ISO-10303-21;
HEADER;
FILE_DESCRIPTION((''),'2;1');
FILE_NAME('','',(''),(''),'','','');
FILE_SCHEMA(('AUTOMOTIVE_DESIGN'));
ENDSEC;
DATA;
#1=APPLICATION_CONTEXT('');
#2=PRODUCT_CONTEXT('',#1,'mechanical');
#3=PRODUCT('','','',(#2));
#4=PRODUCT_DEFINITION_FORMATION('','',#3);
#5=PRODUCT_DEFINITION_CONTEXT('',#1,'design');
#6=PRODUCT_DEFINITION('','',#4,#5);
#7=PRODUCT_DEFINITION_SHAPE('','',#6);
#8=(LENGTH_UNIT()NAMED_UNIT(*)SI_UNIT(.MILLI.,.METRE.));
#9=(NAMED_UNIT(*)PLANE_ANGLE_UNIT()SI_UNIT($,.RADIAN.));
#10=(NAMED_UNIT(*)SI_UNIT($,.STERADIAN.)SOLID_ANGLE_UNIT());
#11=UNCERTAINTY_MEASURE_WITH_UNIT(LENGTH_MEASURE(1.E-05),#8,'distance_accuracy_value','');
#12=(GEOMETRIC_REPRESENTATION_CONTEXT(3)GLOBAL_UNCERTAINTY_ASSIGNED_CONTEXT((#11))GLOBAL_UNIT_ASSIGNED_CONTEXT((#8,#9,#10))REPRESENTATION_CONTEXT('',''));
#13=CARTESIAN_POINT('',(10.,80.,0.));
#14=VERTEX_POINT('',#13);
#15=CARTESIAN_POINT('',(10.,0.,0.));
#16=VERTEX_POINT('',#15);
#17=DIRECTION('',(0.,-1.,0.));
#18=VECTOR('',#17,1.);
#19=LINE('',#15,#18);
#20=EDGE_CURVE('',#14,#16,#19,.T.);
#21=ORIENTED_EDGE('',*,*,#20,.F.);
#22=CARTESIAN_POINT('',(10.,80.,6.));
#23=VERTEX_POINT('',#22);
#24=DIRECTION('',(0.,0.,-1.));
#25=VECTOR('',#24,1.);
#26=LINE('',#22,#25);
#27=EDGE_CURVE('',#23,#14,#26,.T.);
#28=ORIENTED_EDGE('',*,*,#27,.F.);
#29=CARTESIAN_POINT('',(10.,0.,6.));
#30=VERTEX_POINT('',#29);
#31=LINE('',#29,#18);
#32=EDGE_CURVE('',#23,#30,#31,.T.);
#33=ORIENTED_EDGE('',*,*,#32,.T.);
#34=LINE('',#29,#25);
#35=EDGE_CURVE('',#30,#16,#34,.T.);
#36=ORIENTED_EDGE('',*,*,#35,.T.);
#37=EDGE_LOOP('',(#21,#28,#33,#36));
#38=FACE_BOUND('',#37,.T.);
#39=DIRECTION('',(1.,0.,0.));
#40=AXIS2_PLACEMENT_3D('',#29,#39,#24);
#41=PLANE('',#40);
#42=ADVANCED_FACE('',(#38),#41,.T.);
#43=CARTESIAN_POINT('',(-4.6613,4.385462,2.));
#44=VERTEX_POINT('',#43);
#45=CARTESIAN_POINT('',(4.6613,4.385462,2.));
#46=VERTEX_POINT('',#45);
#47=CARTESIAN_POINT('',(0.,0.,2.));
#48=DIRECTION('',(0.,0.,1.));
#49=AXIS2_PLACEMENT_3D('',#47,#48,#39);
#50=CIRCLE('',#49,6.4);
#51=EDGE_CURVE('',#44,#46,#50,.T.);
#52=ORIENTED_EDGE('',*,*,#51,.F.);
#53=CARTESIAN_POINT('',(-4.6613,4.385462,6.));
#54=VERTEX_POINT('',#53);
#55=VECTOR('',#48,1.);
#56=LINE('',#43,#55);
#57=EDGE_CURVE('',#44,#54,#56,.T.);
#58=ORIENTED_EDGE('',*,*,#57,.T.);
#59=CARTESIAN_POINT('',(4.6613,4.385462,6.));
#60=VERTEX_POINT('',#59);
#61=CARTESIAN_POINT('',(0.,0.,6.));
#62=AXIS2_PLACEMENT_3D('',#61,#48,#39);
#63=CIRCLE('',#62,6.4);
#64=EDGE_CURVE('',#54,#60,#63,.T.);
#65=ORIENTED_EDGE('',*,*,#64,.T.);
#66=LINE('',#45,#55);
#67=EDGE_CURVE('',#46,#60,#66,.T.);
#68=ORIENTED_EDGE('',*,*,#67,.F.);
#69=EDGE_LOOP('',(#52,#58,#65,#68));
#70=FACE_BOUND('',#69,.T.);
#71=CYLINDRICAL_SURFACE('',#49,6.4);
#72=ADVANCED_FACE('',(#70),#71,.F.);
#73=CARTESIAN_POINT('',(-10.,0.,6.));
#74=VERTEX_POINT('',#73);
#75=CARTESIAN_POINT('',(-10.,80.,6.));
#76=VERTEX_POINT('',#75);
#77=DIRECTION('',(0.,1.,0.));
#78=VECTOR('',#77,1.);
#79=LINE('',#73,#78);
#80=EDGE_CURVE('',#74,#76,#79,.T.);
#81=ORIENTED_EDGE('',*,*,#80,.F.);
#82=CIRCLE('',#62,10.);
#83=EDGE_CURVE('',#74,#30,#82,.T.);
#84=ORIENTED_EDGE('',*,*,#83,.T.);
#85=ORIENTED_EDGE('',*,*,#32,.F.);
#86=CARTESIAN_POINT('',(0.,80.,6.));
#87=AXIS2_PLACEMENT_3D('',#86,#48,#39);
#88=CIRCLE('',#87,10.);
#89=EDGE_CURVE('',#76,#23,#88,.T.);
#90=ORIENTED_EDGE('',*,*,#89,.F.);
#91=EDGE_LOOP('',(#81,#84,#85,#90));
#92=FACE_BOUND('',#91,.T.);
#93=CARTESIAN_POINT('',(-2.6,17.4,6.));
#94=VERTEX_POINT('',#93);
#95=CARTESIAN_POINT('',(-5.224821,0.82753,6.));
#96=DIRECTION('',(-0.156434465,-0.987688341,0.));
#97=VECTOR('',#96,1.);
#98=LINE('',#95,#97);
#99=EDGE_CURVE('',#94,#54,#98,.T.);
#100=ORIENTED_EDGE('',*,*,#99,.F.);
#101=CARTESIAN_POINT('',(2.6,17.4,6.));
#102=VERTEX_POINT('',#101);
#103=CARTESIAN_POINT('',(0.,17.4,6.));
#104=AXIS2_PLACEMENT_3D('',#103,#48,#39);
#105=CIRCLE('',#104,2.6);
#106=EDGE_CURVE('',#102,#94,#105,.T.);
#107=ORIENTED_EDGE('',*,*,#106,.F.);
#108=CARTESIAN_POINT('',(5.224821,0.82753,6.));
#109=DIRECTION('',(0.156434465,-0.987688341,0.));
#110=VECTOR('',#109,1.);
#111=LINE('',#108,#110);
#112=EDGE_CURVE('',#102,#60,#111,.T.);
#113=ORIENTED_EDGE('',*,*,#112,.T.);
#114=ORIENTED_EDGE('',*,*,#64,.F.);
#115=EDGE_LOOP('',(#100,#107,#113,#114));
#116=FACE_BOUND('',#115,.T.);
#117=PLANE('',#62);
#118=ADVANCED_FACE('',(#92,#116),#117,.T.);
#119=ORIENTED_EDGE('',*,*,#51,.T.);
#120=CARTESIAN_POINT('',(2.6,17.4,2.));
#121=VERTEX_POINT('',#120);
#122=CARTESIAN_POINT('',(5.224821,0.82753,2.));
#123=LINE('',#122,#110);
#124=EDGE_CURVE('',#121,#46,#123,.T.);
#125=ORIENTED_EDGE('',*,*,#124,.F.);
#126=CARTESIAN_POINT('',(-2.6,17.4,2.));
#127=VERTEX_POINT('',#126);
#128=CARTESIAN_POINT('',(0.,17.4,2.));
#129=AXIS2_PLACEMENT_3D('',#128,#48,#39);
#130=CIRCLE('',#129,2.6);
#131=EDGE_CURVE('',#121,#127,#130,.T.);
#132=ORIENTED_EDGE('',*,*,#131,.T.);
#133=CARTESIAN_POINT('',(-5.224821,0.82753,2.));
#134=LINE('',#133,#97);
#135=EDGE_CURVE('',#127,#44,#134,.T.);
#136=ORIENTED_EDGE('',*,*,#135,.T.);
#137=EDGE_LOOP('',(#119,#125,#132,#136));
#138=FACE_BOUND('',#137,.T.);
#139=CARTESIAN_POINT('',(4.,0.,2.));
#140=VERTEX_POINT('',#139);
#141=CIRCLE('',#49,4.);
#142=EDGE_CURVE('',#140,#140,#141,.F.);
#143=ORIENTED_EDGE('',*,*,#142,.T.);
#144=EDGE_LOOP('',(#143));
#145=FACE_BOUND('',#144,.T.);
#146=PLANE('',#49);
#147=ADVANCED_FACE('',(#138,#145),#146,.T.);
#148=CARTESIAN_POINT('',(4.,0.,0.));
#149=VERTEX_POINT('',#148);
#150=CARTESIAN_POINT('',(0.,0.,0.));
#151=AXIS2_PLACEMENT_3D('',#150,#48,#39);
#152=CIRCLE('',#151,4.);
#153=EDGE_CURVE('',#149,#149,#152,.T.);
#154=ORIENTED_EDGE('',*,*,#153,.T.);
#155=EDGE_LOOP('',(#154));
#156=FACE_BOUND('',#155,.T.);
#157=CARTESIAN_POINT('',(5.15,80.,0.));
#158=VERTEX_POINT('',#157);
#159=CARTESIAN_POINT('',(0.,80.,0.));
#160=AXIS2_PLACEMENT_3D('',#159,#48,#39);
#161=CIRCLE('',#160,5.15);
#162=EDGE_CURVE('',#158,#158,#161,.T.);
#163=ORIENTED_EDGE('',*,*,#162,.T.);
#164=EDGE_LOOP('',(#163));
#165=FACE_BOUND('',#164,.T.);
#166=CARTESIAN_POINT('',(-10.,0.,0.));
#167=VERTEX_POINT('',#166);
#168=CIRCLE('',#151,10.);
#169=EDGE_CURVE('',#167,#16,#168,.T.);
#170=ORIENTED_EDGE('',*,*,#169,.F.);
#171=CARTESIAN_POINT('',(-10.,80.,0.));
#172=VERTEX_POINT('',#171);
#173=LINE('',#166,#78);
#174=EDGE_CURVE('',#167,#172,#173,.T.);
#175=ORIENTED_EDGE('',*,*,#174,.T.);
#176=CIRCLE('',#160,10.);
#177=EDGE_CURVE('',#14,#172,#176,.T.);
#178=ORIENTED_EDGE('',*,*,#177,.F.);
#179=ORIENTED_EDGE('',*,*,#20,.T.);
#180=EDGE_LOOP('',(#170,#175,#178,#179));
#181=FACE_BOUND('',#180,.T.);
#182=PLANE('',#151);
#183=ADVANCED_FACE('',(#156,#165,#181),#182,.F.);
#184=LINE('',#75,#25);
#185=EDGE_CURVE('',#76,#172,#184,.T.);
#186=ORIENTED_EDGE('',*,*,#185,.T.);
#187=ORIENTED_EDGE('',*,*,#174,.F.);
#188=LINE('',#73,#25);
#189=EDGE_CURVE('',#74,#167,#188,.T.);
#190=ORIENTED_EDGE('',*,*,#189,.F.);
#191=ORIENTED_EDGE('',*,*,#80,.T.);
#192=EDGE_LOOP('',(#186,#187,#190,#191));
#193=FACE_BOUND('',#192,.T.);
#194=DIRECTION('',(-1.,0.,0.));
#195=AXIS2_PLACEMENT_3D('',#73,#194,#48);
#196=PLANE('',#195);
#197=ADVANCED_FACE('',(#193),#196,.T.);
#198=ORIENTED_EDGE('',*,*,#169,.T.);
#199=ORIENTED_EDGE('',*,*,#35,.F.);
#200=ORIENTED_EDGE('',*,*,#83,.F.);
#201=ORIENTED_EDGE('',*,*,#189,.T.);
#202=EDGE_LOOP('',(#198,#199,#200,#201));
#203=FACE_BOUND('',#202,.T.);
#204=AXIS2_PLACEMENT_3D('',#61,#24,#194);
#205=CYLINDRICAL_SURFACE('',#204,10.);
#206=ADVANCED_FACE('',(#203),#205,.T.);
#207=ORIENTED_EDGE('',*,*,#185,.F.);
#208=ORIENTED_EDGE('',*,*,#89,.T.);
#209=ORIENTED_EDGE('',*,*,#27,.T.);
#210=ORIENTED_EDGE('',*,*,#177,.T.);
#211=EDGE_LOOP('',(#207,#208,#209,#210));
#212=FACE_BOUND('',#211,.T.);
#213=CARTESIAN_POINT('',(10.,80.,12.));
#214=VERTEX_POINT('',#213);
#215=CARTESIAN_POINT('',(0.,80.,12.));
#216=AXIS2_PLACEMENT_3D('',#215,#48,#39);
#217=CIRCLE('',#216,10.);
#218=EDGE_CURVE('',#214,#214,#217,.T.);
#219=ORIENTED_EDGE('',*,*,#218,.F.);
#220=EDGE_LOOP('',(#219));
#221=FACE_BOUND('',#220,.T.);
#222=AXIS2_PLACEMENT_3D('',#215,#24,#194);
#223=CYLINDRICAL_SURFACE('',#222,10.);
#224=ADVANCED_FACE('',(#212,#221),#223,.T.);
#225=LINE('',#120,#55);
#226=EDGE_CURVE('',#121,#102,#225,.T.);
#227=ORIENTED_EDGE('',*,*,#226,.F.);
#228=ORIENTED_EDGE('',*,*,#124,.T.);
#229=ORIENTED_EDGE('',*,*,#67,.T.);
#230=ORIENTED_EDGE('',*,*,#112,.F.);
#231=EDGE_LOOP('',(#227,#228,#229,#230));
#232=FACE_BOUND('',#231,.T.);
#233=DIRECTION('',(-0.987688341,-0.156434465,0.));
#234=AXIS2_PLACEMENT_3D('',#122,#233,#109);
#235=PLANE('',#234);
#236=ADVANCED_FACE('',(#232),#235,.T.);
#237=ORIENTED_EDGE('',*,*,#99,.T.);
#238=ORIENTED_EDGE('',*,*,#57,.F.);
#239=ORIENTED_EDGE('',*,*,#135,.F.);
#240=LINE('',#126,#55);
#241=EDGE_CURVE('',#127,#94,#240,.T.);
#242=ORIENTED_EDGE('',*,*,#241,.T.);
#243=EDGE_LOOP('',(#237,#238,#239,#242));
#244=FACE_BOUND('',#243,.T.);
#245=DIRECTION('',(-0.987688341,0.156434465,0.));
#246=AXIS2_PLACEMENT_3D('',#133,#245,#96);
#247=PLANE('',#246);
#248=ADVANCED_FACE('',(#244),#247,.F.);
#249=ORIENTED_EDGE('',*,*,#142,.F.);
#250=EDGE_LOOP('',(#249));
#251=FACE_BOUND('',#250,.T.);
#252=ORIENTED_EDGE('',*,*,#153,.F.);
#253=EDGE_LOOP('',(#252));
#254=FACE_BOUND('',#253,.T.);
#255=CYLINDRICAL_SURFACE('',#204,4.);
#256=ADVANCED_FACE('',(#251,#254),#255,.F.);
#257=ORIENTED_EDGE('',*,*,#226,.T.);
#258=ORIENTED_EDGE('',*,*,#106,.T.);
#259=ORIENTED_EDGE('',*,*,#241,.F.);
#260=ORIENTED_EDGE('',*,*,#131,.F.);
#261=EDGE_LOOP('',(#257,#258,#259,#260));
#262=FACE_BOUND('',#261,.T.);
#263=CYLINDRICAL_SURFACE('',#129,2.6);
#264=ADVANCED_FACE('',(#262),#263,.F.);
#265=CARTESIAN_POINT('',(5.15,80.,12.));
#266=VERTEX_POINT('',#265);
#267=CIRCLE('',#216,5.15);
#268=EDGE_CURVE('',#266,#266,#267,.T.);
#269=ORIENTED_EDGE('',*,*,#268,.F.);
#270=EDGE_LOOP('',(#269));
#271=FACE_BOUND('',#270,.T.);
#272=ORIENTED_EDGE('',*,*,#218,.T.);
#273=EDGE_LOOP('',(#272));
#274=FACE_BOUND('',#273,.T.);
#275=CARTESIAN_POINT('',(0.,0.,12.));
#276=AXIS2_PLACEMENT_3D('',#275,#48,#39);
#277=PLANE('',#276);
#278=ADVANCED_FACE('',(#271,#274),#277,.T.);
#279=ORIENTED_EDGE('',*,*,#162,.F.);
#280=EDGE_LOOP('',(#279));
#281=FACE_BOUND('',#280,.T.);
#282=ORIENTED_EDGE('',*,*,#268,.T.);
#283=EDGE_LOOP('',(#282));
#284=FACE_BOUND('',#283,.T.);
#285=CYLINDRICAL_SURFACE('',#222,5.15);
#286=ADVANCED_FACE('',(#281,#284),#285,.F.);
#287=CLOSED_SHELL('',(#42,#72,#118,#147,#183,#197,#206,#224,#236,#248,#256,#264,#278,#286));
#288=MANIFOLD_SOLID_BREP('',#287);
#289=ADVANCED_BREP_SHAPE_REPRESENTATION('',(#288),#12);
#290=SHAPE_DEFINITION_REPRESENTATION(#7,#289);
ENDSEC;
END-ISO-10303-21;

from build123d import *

# Parameters (mm, degrees)
SKETCH_1_R          = 4
EXTRUDE_1_DEPTH     = 6
SKETCH_1_3_R        = 5.15
EXTRUDE_2_DEPTH     = 12
CUT_EXTRUDE_1_DEPTH = 4


with BuildPart() as part:
    # Эскиз1 → Бобышка-Вытянуть1 (new body)
    with BuildSketch(Plane.XY):
        with BuildLine():
            ThreePointArc((-10, 0), (0, -10), (10, 0))
            Line((10, 0), (10, 80))
            ThreePointArc((10, 80), (0, 70), (-10, 80))
            Line((-10, 80), (-10, 0))
        make_face()
        Circle(SKETCH_1_R, mode=Mode.SUBTRACT)
    extrude(amount=EXTRUDE_1_DEPTH)

    # Эскиз1<3> → Бобышка-Вытянуть2 (add)
    with BuildSketch(Plane.XY):
        with BuildLine():
            ThreePointArc((10, 80), (0, 90), (-10, 80))
            ThreePointArc((-10, 80), (0, 70), (10, 80))
        make_face()
        with Locations((0, 80)):
            Circle(SKETCH_1_3_R, mode=Mode.SUBTRACT)
    extrude(amount=EXTRUDE_2_DEPTH)

    # Эскиз2 → Вырез-Вытянуть1 (cut)
    with BuildSketch(Plane.XY.offset(6)):
        with BuildLine():
            Line((4.661300265, 4.385462329), (2.6, 17.4))
            ThreePointArc((2.6, 17.4), (0, 20), (-2.6, 17.4))
            Line((-2.6, 17.4), (-4.661300265, 4.385462329))
            ThreePointArc((-4.661300265, 4.385462329), (0, -6.4), (4.661300265, 4.385462329))
        make_face()
    extrude(amount=-CUT_EXTRUDE_1_DEPTH, mode=Mode.SUBTRACT)


solid = part.part
